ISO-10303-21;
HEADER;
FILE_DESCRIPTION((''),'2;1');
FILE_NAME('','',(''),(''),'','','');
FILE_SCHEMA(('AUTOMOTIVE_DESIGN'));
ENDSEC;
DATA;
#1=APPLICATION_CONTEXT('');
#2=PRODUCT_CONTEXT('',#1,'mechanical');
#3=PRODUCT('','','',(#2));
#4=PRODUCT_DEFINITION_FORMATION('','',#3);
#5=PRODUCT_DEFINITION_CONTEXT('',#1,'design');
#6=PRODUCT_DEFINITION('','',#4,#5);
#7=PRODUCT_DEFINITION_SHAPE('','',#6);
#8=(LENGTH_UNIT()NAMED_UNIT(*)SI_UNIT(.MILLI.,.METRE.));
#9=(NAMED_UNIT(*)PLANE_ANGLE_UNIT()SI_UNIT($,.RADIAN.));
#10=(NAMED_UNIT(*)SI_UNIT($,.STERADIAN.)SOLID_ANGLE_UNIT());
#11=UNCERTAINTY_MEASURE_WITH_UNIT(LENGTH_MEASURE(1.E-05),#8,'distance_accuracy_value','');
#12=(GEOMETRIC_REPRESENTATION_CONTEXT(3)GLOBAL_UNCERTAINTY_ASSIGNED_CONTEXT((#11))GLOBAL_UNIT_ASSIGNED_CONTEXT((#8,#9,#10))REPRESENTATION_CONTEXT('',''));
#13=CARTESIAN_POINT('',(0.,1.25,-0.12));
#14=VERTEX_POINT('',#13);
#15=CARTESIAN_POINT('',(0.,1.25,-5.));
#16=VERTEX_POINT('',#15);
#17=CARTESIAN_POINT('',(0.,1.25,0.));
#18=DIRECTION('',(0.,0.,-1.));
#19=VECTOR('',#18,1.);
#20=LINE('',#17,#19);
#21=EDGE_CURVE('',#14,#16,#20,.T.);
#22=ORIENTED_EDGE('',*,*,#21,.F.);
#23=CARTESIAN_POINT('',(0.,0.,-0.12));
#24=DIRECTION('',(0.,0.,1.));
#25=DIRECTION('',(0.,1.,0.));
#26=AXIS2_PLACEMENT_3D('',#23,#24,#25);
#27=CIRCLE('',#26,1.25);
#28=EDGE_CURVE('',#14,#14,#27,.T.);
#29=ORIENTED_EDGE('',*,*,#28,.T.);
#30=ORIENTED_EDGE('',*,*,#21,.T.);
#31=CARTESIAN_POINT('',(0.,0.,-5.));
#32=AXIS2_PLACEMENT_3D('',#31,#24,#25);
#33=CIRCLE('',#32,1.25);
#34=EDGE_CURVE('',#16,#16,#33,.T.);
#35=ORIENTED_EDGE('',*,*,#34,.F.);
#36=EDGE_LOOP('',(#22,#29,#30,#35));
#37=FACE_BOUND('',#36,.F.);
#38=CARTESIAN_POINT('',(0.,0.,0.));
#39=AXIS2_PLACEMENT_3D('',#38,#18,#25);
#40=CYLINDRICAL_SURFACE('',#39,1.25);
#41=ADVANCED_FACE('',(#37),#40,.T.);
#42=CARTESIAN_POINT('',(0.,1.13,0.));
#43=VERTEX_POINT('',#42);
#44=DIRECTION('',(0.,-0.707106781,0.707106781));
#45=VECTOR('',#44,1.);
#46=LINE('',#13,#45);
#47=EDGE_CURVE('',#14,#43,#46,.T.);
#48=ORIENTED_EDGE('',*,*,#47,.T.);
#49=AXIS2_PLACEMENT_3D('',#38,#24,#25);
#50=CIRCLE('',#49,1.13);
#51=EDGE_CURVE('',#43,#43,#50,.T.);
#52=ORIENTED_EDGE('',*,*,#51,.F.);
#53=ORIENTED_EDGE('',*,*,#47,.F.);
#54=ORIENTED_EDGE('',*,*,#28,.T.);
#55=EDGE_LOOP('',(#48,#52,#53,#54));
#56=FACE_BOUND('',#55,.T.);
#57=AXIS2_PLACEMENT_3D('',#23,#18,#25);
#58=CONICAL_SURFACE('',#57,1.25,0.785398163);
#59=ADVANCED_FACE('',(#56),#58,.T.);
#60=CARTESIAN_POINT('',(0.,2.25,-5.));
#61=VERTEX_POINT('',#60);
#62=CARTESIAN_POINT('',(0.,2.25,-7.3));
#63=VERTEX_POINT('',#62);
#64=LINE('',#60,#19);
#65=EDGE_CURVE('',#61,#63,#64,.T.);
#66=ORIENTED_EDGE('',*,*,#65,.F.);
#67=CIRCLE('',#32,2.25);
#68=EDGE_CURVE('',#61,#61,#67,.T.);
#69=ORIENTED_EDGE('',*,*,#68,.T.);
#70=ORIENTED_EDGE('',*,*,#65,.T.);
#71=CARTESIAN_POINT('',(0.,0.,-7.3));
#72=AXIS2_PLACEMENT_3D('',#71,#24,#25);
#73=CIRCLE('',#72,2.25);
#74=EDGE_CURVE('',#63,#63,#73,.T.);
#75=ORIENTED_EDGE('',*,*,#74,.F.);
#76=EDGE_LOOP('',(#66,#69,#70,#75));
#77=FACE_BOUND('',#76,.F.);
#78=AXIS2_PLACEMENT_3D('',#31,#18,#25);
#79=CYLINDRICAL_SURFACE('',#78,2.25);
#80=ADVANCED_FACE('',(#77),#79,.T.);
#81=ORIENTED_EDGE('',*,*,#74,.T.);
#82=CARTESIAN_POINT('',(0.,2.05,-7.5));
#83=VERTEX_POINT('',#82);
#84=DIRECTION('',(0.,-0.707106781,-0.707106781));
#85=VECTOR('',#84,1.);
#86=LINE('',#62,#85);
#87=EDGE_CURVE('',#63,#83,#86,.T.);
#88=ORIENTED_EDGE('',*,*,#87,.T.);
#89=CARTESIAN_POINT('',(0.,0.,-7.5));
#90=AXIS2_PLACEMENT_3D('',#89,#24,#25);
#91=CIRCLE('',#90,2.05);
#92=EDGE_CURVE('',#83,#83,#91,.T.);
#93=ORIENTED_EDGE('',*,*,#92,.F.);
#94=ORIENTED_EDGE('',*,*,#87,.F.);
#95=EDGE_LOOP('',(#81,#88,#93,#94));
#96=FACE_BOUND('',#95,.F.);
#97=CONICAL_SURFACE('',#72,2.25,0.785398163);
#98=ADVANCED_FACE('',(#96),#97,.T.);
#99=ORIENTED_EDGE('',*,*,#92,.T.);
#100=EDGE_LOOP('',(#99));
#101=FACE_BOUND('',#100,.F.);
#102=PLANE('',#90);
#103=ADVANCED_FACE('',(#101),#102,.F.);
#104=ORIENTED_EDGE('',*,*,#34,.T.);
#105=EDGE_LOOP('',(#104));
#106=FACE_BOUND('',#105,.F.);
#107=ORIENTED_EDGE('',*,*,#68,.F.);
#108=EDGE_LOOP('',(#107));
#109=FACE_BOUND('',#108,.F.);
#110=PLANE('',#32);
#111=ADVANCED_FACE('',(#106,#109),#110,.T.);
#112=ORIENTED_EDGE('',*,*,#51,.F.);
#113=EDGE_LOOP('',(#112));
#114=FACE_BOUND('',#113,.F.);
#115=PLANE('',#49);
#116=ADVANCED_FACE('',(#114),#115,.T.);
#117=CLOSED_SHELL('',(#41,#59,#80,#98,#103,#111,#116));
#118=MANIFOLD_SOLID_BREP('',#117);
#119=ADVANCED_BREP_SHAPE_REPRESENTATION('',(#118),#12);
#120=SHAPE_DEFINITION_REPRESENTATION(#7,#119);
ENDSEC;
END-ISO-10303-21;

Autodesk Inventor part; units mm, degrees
ref_plane "YZ Plane" through (0, 0, 0) normal (1, 0, 0) x (0, 1, 0)
ref_plane "XZ Plane" through (0, 0, 0) normal (0, 1, 0) x (-1, 0, 0)
ref_plane "XY Plane" through (0, 0, 0) normal (0, 0, 1) x (1, 0, 0)
sketch "スケッチ1" plane through (0, 0, 0) normal (1, 0, 0) x (0, 1, 0)
  line L0 (0, 0) -> (1.25, 0)
  line L1 (1.25, 0) -> (1.25, -5)
  line L2 (1.25, -5) -> (0, -5)
  line L3 (0, -5) -> (0, 0)
  line L4 (0, -5) -> (2.25, -5)
  line L5 (2.25, -5) -> (2.25, -7.5)
  line L6 (2.25, -7.5) -> (0, -7.5)
  line L7 (0, -7.5) -> (0, -5)
  line L8 (2.25, -7.3) -> (2.05, -7.5)
  line L9 (1.25, -0.12) -> (1.13, 0)
  point P0 (2.25, -6.25)
  dimension "d0" = 45
  dimension "d1" = 2.25
  dimension "d2" = 2.5
  dimension "d3" = 5
  dimension "d7" = 1.25
  dimension "d10" = 45
  dimension "d11" = 0.2
  dimension "d12" = 0.12
revolve "回転1" add sketch "スケッチ1" angle 360 about axis through (0, 0, -5) along (0, 0, 1) contours L0 L9 L1 L2 L3 | L2 L4 L5 L8 L6 L7
thread "ねじ2" size "M2.5x0.45" class "6g" standard "ANSI Metric M Profile" length 30
properties part number "M2-5_5mm" material "ステンレス鋼"
